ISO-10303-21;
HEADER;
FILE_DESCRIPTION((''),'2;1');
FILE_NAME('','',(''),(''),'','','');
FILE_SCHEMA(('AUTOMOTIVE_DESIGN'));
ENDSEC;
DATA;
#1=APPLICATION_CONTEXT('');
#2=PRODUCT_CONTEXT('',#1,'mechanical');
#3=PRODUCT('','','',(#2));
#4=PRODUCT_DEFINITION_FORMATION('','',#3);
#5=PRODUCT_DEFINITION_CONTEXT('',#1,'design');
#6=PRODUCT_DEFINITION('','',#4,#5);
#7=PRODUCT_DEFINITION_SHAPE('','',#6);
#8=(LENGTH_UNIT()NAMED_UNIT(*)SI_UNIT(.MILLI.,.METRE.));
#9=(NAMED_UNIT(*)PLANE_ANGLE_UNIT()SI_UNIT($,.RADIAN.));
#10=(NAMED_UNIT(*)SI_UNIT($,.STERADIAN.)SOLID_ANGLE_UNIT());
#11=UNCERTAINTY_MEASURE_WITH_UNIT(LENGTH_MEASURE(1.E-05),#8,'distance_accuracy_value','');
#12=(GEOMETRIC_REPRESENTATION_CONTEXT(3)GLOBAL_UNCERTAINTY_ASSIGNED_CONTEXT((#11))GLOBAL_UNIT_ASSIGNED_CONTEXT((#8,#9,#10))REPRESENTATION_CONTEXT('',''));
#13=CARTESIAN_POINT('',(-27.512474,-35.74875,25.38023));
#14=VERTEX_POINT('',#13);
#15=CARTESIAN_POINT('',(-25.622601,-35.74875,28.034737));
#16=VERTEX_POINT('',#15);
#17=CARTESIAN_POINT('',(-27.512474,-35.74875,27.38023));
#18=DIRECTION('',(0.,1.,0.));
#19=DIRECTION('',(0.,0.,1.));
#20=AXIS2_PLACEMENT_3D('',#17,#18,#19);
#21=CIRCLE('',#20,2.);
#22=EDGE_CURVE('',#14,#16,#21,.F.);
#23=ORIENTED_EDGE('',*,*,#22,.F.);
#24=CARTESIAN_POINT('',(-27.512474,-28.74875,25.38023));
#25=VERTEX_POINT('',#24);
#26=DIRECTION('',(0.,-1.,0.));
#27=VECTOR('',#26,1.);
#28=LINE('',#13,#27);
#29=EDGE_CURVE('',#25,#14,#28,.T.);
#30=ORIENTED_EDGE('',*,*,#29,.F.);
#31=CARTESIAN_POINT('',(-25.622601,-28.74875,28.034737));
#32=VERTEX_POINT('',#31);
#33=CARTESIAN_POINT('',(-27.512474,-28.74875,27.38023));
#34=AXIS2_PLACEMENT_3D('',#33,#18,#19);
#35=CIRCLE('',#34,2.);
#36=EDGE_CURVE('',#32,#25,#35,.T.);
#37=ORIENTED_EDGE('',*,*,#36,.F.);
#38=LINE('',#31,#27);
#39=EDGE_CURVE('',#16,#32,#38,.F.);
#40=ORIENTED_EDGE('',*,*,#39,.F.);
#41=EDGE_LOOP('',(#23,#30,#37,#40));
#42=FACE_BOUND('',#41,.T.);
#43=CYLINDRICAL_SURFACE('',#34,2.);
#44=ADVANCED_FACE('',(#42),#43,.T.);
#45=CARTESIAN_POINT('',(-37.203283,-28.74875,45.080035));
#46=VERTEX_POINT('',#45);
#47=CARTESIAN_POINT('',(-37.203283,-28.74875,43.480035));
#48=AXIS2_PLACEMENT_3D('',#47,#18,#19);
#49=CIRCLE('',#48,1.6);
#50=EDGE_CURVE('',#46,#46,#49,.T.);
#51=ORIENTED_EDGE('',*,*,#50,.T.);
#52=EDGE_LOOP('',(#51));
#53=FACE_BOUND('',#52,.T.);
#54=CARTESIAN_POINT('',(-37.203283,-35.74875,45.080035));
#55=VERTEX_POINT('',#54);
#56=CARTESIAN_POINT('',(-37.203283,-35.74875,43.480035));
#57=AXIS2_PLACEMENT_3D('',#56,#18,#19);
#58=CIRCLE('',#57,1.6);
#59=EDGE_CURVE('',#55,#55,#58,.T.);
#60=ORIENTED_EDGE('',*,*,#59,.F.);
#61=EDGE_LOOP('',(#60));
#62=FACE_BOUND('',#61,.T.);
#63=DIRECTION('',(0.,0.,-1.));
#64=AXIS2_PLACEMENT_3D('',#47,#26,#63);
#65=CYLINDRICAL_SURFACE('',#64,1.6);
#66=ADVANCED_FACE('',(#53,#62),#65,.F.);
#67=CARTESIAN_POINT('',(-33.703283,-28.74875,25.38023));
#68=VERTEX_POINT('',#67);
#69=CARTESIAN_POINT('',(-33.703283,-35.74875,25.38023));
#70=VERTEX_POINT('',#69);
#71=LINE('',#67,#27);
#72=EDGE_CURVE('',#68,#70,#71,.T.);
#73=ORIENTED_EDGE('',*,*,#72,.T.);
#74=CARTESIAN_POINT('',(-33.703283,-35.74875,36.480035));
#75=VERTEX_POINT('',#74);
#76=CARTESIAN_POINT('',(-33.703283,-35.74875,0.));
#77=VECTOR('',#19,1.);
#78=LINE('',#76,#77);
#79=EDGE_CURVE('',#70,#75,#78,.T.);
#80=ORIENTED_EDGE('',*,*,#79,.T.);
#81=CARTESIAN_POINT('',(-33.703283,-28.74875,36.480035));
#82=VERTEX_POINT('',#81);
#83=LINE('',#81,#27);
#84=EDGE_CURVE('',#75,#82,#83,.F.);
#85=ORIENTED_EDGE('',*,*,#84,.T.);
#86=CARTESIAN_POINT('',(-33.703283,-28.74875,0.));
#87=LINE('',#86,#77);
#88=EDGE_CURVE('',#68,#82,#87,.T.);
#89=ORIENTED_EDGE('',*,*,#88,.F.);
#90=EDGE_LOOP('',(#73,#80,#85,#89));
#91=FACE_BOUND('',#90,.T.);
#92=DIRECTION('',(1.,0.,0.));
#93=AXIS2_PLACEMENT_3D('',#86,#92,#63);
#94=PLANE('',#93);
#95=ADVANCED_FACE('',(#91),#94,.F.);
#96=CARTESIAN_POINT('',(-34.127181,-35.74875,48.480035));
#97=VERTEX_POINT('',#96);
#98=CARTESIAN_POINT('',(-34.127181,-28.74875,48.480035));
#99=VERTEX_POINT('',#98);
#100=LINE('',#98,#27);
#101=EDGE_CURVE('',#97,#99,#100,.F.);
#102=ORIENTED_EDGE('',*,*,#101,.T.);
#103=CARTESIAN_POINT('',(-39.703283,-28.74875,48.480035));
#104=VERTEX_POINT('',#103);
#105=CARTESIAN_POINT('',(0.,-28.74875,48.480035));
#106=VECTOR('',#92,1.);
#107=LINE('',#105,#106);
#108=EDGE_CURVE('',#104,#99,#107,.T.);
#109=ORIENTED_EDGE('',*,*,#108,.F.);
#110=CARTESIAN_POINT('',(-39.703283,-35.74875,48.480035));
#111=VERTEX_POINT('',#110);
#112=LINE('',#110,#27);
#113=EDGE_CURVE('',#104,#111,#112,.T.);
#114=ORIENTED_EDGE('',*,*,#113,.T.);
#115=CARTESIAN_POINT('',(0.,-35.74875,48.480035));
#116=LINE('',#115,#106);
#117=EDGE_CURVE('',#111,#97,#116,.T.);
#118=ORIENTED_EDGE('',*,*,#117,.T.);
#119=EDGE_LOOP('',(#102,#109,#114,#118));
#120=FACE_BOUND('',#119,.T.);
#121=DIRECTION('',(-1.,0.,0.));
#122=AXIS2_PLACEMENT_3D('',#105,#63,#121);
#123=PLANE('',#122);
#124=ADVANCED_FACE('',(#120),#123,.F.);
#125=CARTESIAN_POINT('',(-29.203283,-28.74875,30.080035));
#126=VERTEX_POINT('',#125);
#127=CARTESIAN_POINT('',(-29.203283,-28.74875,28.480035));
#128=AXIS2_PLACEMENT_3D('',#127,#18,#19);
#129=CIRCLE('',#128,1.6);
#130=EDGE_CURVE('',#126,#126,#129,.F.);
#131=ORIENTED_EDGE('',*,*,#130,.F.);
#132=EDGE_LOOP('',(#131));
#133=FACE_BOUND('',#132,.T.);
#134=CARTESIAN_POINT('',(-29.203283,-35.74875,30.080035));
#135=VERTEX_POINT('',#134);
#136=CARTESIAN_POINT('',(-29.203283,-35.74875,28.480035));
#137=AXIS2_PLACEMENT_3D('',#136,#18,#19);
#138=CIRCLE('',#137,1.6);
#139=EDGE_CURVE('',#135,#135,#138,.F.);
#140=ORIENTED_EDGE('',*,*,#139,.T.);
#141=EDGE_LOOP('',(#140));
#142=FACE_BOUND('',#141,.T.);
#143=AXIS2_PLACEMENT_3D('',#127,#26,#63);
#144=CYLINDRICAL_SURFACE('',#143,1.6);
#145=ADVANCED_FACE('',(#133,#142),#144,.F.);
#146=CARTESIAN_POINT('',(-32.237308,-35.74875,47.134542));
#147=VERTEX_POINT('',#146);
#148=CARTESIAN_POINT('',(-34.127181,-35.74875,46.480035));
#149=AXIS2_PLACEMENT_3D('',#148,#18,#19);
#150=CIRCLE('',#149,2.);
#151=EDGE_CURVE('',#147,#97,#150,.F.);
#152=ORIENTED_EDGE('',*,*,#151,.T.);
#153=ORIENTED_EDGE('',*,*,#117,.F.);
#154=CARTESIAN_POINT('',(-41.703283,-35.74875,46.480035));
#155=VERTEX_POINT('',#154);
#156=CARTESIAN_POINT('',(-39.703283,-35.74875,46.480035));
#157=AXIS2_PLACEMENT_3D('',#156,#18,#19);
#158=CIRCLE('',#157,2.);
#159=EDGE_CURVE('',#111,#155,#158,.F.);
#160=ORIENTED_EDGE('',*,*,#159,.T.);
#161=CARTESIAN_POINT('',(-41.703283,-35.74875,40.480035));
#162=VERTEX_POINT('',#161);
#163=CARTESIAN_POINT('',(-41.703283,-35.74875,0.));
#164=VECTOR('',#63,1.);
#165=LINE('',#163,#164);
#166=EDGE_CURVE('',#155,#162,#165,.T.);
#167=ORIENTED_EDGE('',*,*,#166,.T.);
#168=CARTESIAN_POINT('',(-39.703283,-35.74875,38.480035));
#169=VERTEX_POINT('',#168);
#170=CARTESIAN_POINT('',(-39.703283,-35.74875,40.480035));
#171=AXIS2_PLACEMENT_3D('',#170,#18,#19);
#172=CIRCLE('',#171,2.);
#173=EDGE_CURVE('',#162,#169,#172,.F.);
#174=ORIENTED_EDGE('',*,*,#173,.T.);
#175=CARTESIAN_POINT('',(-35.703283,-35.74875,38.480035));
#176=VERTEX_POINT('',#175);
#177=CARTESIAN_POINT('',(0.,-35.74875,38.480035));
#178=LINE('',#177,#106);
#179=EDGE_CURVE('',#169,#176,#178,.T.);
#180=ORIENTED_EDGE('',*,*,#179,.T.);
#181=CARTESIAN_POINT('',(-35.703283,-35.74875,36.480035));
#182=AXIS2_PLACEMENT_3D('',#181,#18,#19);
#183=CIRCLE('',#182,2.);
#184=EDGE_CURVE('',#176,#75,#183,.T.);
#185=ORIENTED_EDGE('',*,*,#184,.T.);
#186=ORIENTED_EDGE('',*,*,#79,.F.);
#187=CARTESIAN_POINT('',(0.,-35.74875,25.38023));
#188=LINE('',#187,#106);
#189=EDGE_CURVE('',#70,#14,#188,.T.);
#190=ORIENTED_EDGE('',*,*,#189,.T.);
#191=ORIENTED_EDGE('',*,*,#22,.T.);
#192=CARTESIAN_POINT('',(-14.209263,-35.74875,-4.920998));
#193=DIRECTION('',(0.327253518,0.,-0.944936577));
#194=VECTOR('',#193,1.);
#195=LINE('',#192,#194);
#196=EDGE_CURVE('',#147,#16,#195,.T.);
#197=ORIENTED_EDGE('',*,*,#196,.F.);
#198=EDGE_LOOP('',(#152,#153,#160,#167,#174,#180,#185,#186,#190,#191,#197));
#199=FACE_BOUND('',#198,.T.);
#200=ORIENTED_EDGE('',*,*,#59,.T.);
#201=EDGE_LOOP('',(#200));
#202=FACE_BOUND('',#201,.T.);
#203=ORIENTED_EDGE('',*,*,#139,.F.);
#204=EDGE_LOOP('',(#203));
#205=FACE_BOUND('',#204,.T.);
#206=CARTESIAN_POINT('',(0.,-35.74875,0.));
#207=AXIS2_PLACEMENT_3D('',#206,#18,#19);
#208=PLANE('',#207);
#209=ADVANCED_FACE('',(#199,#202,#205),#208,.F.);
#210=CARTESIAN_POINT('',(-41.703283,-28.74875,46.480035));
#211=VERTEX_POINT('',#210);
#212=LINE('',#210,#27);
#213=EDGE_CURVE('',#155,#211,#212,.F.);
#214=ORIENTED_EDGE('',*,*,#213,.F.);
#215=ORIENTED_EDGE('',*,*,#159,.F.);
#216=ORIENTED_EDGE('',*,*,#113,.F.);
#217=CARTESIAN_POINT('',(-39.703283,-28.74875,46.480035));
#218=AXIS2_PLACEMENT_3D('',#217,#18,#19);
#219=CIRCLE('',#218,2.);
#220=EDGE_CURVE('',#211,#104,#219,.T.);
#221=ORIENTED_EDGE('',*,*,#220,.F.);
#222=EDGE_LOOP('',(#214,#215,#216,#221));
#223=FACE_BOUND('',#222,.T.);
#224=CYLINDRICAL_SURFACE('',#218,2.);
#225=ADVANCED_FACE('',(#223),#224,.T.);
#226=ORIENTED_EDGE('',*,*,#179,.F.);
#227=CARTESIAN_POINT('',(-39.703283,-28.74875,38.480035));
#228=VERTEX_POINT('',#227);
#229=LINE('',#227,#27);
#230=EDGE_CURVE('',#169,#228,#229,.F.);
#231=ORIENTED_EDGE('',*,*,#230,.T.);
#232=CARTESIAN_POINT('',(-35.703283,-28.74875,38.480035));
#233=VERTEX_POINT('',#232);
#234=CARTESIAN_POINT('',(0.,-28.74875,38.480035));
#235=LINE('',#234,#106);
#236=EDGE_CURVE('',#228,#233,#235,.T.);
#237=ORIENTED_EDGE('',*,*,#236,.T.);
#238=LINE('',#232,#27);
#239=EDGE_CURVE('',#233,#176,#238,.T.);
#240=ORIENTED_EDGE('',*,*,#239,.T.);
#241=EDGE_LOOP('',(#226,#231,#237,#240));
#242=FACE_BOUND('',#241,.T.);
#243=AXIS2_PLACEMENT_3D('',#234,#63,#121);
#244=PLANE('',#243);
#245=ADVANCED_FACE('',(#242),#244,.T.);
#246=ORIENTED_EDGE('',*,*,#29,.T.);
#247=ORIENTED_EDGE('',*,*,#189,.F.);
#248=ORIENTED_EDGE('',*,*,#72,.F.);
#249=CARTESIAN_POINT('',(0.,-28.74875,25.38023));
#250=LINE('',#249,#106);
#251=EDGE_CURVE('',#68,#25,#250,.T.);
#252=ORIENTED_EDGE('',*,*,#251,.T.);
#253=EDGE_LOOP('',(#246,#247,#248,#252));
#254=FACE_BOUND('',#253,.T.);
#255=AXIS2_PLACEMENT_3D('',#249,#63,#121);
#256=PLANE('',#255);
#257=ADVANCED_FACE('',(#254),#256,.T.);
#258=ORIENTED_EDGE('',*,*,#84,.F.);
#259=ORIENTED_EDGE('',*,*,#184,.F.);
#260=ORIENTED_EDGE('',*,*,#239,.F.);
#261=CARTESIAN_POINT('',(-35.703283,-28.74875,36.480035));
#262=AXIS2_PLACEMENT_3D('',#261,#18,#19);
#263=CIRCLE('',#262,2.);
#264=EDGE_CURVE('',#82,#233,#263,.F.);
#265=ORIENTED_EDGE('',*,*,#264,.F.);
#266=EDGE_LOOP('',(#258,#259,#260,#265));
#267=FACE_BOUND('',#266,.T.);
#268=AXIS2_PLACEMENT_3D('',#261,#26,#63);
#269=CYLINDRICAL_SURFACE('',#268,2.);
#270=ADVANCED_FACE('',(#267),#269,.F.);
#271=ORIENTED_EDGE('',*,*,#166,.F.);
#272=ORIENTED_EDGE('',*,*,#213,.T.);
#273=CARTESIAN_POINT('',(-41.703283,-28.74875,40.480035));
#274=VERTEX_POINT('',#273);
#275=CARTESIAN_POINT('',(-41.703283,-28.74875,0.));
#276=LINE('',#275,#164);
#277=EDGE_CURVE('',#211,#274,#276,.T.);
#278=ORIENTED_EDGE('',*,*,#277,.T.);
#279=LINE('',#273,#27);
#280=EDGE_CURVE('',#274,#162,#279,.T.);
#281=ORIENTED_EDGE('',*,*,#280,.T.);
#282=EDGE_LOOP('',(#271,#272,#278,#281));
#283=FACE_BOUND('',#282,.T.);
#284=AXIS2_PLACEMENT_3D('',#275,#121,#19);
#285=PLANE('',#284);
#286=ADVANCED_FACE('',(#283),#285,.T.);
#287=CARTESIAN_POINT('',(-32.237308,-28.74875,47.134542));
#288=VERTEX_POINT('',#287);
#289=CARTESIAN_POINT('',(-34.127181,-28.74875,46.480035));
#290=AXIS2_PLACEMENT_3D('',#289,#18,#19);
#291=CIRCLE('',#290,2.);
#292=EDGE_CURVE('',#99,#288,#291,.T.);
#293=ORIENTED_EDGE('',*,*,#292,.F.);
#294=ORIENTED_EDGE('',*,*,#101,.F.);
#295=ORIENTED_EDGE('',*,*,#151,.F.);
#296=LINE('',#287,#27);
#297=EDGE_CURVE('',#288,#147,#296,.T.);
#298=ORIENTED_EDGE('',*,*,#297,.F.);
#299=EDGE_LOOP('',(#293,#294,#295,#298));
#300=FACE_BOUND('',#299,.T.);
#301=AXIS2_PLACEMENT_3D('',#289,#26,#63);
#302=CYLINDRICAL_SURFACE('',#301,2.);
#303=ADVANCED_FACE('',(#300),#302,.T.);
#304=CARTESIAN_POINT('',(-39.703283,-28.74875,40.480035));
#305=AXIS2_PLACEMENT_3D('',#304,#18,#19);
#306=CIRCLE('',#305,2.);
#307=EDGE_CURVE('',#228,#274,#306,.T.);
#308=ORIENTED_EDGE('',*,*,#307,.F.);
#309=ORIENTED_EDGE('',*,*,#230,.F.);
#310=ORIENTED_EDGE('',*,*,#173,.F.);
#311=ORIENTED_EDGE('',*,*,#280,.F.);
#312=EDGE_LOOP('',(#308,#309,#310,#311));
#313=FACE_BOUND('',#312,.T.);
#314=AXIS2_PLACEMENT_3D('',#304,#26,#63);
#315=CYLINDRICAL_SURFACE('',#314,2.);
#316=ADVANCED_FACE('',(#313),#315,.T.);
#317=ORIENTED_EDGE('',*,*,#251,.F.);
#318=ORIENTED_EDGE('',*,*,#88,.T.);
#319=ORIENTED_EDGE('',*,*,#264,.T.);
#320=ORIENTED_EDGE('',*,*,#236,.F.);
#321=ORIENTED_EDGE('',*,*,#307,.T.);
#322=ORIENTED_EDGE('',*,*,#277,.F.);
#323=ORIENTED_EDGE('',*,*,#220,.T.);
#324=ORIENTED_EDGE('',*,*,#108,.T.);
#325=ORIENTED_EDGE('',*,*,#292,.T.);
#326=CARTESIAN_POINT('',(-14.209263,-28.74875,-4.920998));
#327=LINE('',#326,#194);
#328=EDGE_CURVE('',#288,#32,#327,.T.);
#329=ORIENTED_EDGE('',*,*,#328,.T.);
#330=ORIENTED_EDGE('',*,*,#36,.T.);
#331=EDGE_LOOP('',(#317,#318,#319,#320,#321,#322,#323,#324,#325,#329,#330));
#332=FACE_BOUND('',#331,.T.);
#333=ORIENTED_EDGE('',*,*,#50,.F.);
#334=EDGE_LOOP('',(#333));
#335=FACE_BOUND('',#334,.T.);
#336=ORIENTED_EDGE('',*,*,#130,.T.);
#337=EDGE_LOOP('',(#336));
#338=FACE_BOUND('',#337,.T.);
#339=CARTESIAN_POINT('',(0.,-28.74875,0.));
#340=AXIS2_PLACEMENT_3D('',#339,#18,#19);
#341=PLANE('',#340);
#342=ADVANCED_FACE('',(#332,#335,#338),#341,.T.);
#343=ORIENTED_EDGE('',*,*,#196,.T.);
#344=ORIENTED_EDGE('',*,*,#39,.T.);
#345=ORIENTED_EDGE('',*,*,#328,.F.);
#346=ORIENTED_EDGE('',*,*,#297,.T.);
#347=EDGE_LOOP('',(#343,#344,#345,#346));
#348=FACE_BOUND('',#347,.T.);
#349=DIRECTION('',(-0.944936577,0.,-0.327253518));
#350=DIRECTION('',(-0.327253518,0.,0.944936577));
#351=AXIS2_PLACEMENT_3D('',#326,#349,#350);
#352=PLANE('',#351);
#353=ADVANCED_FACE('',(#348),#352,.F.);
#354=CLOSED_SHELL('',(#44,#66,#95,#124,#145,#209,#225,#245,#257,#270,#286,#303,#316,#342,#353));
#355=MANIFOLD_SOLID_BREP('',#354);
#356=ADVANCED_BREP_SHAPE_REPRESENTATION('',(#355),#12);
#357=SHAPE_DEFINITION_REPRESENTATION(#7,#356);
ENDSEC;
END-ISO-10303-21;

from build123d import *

# Parameters (mm, degrees)
SKETCH2_R           = 1.6
BOSS_EXTRUDE1_DEPTH = 7
FILLET1_R           = 2
FILLET2_R           = 2


with BuildPart() as part:
    # Sketch2 → Boss-Extrude1 (new body)
    with BuildSketch(Plane(origin=(0, -35.748750458, 0), x_dir=(1, 0, 0), z_dir=(0, 1, 0))):
        Polygon((-41.703283355, -38.480035415), (-41.703283355, -48.480035415), (-32.703283355, -48.480035415), (-24.703283355, -25.380229921), (-33.703283355, -25.380229921), (-33.703283355, -38.480035415), (-40.703283355, -38.480035415), align=None)
        with Locations(Location((-37.203283355, -43.480035415, 0), (0, 0, 270))):
            Circle(SKETCH2_R, mode=Mode.SUBTRACT)
        with Locations(Location((-29.203283355, -28.480035415, 0), (0, 0, 270))):
            Circle(SKETCH2_R, mode=Mode.SUBTRACT)
    extrude(amount=BOSS_EXTRUDE1_DEPTH)

    # Fillet1
    fillet1_edges = [part.edges().sort_by_distance(p)[0] for p in [
        (-24.703283355, -32.248750458, 25.380229921),
    ]]
    fillet(fillet1_edges, radius=FILLET1_R)

    # Fillet2
    fillet2_edges = [part.edges().sort_by_distance(p)[0] for p in [
        (-32.703283355, -32.248750458, 48.480035415),
        (-41.703283355, -32.248750458, 48.480035415),
        (-41.703283355, -32.248750458, 38.480035415),
        (-33.703283355, -32.248750458, 38.480035415),
    ]]
    fillet(fillet2_edges, radius=FILLET2_R)


solid = part.part
